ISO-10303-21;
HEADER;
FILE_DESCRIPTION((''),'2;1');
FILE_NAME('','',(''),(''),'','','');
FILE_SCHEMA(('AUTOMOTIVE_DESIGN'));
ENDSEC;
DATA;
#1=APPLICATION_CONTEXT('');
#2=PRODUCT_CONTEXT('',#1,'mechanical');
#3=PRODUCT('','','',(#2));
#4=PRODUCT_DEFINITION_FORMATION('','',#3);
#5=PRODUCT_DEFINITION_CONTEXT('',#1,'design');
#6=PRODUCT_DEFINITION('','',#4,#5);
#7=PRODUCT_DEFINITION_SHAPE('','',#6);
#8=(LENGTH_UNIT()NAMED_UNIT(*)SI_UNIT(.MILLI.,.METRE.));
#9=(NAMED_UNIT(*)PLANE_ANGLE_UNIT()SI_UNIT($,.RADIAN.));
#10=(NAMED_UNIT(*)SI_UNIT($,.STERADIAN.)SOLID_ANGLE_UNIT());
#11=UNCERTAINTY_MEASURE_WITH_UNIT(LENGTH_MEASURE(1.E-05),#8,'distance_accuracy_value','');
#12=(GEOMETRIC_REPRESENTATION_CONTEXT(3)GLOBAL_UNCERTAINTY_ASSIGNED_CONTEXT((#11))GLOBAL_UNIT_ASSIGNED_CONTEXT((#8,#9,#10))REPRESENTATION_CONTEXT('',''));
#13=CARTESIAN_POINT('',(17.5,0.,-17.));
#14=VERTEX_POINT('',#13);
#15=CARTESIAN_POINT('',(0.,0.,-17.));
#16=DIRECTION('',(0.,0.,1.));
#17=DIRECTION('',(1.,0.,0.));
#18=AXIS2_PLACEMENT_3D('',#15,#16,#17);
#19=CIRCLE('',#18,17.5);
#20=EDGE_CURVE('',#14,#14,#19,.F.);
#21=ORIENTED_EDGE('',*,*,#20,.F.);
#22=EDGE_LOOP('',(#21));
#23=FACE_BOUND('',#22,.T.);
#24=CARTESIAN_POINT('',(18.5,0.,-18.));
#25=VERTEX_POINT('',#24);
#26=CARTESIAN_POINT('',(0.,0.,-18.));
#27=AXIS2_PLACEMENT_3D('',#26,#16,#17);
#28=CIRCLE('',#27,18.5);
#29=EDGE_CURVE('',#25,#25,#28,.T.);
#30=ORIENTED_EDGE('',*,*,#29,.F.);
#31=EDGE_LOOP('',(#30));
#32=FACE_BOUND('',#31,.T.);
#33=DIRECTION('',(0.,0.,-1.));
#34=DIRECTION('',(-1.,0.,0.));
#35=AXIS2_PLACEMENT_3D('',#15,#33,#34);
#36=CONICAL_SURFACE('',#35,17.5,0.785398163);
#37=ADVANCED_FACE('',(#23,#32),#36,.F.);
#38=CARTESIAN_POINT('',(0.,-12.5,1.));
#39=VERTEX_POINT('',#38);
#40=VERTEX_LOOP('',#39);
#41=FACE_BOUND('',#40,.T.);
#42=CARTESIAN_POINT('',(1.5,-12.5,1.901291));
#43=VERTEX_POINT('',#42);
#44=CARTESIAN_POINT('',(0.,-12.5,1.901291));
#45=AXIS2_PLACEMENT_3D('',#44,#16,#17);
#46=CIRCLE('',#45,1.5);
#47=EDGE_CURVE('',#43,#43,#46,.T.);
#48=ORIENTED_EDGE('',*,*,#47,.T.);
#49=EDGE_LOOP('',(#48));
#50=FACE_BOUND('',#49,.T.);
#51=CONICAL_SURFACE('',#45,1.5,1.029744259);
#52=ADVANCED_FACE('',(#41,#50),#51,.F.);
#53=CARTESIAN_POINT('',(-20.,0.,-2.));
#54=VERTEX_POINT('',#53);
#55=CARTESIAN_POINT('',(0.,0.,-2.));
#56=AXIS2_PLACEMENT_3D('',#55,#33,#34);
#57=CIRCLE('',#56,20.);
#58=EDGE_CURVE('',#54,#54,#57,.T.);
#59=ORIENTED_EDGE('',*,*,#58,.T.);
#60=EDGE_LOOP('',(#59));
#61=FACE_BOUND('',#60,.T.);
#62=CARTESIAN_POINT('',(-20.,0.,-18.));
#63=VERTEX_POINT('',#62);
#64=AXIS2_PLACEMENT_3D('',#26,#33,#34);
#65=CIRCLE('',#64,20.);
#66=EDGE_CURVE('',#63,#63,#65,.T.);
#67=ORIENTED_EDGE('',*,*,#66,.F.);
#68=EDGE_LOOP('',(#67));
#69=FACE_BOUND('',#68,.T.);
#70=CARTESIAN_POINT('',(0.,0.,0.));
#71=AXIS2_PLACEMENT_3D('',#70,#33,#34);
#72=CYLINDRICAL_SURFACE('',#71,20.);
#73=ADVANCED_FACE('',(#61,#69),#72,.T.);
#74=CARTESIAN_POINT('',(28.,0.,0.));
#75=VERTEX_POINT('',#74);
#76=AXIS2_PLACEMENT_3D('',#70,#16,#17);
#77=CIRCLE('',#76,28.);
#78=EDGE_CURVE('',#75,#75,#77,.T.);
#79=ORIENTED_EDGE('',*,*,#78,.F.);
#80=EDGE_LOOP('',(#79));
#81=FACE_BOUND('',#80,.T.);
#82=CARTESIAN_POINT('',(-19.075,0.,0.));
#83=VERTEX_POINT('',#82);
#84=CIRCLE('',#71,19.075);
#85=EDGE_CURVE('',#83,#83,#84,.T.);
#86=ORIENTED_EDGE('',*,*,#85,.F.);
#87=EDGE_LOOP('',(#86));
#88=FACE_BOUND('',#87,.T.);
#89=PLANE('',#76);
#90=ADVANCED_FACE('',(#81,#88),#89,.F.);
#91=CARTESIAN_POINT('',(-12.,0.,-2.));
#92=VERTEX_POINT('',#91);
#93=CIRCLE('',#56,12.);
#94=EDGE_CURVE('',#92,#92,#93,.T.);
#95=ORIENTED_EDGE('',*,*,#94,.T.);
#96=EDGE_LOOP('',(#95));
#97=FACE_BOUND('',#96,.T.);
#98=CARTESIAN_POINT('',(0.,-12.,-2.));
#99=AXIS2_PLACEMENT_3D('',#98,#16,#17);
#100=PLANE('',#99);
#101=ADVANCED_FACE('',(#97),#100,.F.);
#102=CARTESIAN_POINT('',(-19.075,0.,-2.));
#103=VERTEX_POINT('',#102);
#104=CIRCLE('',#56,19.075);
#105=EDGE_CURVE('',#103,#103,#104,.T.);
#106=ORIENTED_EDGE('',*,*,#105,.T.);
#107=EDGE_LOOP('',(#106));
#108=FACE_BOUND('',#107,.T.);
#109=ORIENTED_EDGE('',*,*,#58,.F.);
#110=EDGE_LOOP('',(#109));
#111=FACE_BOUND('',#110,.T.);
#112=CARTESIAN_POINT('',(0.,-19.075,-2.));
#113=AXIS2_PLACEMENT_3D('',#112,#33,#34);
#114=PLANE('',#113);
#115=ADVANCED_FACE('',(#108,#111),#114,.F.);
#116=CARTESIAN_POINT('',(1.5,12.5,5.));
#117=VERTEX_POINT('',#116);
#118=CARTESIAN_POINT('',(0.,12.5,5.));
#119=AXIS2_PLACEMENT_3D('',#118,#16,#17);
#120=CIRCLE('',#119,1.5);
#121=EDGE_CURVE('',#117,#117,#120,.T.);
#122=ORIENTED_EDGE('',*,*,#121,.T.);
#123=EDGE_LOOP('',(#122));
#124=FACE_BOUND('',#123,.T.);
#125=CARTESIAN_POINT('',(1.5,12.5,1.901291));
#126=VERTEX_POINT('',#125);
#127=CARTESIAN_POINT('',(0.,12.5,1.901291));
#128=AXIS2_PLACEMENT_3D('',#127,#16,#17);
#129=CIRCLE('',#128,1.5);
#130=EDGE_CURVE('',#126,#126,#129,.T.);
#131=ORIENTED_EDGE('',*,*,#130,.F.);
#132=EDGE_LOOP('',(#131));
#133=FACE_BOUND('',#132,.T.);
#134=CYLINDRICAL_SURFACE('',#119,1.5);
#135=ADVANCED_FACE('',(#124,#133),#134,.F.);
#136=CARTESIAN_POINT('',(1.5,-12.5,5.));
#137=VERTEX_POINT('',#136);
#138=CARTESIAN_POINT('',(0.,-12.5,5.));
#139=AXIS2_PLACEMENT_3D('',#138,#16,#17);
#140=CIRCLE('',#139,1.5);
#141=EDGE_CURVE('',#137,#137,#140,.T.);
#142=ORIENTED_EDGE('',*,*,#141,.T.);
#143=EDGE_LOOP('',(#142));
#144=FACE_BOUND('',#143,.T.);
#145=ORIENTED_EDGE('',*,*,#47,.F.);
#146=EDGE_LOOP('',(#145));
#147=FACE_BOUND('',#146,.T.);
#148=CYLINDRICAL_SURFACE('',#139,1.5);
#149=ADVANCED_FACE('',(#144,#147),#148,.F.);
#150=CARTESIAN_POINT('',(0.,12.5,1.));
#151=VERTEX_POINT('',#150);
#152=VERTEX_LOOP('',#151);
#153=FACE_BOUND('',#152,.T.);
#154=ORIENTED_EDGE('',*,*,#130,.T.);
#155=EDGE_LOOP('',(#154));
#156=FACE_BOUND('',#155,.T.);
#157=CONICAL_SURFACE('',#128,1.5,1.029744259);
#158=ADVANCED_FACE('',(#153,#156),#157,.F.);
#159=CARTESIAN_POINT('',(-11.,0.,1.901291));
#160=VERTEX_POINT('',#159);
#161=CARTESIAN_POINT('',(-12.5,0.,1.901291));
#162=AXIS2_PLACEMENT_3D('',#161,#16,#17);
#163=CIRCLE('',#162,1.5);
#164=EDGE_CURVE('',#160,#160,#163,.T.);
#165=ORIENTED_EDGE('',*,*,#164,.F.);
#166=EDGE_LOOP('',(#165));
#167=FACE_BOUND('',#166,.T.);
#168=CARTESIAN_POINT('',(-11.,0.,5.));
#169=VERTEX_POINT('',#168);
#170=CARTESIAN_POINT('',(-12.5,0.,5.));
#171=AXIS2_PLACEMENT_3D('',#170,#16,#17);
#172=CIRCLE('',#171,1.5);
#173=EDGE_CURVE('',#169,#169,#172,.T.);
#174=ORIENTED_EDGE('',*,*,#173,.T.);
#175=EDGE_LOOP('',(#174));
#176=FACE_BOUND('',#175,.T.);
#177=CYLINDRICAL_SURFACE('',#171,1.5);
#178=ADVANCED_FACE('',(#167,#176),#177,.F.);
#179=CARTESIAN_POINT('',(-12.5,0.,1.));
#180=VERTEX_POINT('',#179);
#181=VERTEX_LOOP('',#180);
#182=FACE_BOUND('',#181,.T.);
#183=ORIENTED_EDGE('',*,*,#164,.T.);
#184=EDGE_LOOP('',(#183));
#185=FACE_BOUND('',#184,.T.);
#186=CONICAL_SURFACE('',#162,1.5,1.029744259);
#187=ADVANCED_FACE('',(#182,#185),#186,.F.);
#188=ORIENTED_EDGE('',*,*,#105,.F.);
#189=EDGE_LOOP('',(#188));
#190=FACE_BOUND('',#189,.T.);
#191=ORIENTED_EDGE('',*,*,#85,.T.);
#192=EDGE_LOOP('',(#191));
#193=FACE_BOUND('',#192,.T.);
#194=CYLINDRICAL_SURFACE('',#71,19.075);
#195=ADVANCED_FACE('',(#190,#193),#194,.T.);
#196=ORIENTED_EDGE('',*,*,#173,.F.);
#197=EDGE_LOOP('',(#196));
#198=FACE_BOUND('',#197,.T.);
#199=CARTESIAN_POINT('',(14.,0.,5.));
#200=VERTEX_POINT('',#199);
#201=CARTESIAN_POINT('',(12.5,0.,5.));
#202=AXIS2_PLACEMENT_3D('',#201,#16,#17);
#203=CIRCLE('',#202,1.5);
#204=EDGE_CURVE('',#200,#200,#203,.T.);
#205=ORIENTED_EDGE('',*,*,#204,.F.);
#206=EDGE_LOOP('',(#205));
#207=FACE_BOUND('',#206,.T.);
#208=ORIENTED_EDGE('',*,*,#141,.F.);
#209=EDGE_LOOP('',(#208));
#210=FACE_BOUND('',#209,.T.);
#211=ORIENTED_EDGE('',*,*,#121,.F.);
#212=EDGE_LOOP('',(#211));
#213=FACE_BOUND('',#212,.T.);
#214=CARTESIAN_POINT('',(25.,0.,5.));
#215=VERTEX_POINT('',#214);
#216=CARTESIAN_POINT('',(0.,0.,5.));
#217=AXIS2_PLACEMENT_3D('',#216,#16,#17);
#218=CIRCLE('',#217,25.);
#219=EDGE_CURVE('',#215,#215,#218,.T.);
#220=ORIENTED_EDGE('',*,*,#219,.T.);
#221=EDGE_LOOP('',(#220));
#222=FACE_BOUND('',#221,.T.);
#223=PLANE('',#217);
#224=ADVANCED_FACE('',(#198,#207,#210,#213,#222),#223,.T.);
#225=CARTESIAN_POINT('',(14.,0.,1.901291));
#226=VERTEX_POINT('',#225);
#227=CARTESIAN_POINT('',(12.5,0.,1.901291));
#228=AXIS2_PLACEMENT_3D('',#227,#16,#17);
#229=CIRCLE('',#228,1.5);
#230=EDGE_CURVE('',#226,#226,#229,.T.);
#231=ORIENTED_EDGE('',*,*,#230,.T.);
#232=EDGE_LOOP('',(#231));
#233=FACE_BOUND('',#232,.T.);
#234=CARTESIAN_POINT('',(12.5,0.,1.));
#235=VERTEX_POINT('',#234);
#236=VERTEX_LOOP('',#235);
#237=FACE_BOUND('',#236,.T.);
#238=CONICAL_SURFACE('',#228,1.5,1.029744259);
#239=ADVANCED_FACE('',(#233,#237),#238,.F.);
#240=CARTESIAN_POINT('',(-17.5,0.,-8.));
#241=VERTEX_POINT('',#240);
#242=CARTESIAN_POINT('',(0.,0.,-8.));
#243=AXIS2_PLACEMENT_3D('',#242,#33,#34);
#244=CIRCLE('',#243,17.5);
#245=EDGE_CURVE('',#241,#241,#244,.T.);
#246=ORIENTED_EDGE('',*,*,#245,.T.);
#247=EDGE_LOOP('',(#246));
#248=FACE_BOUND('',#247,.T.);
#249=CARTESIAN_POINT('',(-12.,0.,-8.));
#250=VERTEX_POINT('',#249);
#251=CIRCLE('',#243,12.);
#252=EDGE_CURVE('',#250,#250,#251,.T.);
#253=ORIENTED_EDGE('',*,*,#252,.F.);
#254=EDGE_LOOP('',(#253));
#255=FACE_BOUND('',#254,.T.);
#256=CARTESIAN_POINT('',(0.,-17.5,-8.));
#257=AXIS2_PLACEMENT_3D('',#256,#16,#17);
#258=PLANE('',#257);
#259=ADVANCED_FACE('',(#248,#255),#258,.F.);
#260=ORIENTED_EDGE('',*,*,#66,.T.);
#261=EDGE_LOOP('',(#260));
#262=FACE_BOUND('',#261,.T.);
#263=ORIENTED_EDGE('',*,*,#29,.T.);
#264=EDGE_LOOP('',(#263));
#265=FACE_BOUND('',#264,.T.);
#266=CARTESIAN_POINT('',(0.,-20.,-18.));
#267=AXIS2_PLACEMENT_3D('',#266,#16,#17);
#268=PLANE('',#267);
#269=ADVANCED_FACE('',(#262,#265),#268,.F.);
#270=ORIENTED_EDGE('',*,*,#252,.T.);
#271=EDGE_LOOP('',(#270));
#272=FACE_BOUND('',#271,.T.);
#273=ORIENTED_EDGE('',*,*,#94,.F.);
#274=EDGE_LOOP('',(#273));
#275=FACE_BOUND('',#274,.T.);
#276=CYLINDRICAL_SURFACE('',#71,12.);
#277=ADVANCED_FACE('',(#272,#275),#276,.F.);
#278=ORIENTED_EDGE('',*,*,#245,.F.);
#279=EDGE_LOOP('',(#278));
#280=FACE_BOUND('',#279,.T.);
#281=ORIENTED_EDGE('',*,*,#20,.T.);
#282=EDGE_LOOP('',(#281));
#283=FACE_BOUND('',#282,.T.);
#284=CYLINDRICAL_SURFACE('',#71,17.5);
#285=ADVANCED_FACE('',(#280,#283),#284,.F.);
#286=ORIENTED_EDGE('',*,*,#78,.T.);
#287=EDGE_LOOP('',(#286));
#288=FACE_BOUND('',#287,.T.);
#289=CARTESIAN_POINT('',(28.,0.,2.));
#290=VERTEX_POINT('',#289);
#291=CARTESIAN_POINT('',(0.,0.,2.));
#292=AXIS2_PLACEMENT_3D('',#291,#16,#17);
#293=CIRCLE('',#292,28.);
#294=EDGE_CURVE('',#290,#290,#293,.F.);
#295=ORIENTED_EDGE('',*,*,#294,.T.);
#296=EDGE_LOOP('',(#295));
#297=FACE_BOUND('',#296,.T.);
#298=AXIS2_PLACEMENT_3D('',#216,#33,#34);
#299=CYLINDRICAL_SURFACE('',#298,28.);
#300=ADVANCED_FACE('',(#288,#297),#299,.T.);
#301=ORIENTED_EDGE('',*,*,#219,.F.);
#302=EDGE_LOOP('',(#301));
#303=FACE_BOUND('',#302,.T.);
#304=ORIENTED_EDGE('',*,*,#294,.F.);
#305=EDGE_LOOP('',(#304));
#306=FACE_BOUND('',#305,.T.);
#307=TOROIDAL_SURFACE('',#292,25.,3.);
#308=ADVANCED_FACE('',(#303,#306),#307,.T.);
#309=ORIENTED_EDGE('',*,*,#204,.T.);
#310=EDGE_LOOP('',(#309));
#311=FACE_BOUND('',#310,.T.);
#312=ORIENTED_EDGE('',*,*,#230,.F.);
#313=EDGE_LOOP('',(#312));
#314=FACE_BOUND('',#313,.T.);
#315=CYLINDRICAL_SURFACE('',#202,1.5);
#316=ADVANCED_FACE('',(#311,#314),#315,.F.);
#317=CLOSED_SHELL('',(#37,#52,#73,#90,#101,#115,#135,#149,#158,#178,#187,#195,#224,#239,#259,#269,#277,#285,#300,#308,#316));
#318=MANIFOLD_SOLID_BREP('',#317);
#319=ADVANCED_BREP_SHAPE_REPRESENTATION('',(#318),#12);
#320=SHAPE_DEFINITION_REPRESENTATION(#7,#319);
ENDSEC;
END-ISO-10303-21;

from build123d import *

# Parameters (mm, degrees)
SKETCH1_R                   = 28
BOSS_EXTRUDE1_DEPTH         = 5
FILLET1_R                   = 3
CHAMFER1_SIZE               = 1
TAP_DRILL_FOR_M3_TAP1_D     = 3
TAP_DRILL_FOR_M3_TAP1_DEPTH = 3.098709071
TAP_DRILL_FOR_M3_TAP1_TIP   = 0.901290929


with BuildPart() as part:
    # Sketch1 → Boss-Extrude1 (new body)
    with BuildSketch(Plane(origin=(0, 0, 0), x_dir=(0, 1, 0), z_dir=(0, 0, 1))):
        with Locations(Location((0, 0, 0), (0, 0, 270))):
            Circle(SKETCH1_R)
    extrude(amount=BOSS_EXTRUDE1_DEPTH)

    # Fillet1
    fillet1_edges = [part.edges().sort_by_distance(p)[0] for p in [
        (-28, 0, 5),
    ]]
    fillet(fillet1_edges, radius=FILLET1_R)

    # Sketch2 → Revolve1 (revolve)
    with BuildSketch(Plane.YZ, mode=Mode.PRIVATE) as revolve1_sk:
        Polygon((-19.075, 0), (-19.075, -2), (-20, -2), (-20, -18), (-17.5, -18), (-17.5, -8), (-12, -8), (-12, -2), (0, -2), (0, 0), align=None)
    revolve(revolve1_sk.sketch.rotate(Axis((0, 0, 0), (0, 0, 1)), 270), axis=Axis((0, 0, 0), (0, 0, 1)))

    # Chamfer1
    chamfer1_edges = [part.edges().sort_by_distance(p)[0] for p in [
        (17.5, 0, -18),
    ]]
    chamfer(chamfer1_edges, length=CHAMFER1_SIZE)

    # Tap Drill for M3 Tap1
    with Locations(Plane.XY.offset(5)):
        with Locations((0, 12.5), (-12.5, 0), (0, -12.5), (12.5, 0)):
            Hole(TAP_DRILL_FOR_M3_TAP1_D / 2, depth=TAP_DRILL_FOR_M3_TAP1_DEPTH)
            with Locations((0, 0, -(TAP_DRILL_FOR_M3_TAP1_DEPTH + TAP_DRILL_FOR_M3_TAP1_TIP / 2))):  # 118° drill point
                Cone(0, TAP_DRILL_FOR_M3_TAP1_D / 2, TAP_DRILL_FOR_M3_TAP1_TIP, mode=Mode.SUBTRACT)


solid = part.part
